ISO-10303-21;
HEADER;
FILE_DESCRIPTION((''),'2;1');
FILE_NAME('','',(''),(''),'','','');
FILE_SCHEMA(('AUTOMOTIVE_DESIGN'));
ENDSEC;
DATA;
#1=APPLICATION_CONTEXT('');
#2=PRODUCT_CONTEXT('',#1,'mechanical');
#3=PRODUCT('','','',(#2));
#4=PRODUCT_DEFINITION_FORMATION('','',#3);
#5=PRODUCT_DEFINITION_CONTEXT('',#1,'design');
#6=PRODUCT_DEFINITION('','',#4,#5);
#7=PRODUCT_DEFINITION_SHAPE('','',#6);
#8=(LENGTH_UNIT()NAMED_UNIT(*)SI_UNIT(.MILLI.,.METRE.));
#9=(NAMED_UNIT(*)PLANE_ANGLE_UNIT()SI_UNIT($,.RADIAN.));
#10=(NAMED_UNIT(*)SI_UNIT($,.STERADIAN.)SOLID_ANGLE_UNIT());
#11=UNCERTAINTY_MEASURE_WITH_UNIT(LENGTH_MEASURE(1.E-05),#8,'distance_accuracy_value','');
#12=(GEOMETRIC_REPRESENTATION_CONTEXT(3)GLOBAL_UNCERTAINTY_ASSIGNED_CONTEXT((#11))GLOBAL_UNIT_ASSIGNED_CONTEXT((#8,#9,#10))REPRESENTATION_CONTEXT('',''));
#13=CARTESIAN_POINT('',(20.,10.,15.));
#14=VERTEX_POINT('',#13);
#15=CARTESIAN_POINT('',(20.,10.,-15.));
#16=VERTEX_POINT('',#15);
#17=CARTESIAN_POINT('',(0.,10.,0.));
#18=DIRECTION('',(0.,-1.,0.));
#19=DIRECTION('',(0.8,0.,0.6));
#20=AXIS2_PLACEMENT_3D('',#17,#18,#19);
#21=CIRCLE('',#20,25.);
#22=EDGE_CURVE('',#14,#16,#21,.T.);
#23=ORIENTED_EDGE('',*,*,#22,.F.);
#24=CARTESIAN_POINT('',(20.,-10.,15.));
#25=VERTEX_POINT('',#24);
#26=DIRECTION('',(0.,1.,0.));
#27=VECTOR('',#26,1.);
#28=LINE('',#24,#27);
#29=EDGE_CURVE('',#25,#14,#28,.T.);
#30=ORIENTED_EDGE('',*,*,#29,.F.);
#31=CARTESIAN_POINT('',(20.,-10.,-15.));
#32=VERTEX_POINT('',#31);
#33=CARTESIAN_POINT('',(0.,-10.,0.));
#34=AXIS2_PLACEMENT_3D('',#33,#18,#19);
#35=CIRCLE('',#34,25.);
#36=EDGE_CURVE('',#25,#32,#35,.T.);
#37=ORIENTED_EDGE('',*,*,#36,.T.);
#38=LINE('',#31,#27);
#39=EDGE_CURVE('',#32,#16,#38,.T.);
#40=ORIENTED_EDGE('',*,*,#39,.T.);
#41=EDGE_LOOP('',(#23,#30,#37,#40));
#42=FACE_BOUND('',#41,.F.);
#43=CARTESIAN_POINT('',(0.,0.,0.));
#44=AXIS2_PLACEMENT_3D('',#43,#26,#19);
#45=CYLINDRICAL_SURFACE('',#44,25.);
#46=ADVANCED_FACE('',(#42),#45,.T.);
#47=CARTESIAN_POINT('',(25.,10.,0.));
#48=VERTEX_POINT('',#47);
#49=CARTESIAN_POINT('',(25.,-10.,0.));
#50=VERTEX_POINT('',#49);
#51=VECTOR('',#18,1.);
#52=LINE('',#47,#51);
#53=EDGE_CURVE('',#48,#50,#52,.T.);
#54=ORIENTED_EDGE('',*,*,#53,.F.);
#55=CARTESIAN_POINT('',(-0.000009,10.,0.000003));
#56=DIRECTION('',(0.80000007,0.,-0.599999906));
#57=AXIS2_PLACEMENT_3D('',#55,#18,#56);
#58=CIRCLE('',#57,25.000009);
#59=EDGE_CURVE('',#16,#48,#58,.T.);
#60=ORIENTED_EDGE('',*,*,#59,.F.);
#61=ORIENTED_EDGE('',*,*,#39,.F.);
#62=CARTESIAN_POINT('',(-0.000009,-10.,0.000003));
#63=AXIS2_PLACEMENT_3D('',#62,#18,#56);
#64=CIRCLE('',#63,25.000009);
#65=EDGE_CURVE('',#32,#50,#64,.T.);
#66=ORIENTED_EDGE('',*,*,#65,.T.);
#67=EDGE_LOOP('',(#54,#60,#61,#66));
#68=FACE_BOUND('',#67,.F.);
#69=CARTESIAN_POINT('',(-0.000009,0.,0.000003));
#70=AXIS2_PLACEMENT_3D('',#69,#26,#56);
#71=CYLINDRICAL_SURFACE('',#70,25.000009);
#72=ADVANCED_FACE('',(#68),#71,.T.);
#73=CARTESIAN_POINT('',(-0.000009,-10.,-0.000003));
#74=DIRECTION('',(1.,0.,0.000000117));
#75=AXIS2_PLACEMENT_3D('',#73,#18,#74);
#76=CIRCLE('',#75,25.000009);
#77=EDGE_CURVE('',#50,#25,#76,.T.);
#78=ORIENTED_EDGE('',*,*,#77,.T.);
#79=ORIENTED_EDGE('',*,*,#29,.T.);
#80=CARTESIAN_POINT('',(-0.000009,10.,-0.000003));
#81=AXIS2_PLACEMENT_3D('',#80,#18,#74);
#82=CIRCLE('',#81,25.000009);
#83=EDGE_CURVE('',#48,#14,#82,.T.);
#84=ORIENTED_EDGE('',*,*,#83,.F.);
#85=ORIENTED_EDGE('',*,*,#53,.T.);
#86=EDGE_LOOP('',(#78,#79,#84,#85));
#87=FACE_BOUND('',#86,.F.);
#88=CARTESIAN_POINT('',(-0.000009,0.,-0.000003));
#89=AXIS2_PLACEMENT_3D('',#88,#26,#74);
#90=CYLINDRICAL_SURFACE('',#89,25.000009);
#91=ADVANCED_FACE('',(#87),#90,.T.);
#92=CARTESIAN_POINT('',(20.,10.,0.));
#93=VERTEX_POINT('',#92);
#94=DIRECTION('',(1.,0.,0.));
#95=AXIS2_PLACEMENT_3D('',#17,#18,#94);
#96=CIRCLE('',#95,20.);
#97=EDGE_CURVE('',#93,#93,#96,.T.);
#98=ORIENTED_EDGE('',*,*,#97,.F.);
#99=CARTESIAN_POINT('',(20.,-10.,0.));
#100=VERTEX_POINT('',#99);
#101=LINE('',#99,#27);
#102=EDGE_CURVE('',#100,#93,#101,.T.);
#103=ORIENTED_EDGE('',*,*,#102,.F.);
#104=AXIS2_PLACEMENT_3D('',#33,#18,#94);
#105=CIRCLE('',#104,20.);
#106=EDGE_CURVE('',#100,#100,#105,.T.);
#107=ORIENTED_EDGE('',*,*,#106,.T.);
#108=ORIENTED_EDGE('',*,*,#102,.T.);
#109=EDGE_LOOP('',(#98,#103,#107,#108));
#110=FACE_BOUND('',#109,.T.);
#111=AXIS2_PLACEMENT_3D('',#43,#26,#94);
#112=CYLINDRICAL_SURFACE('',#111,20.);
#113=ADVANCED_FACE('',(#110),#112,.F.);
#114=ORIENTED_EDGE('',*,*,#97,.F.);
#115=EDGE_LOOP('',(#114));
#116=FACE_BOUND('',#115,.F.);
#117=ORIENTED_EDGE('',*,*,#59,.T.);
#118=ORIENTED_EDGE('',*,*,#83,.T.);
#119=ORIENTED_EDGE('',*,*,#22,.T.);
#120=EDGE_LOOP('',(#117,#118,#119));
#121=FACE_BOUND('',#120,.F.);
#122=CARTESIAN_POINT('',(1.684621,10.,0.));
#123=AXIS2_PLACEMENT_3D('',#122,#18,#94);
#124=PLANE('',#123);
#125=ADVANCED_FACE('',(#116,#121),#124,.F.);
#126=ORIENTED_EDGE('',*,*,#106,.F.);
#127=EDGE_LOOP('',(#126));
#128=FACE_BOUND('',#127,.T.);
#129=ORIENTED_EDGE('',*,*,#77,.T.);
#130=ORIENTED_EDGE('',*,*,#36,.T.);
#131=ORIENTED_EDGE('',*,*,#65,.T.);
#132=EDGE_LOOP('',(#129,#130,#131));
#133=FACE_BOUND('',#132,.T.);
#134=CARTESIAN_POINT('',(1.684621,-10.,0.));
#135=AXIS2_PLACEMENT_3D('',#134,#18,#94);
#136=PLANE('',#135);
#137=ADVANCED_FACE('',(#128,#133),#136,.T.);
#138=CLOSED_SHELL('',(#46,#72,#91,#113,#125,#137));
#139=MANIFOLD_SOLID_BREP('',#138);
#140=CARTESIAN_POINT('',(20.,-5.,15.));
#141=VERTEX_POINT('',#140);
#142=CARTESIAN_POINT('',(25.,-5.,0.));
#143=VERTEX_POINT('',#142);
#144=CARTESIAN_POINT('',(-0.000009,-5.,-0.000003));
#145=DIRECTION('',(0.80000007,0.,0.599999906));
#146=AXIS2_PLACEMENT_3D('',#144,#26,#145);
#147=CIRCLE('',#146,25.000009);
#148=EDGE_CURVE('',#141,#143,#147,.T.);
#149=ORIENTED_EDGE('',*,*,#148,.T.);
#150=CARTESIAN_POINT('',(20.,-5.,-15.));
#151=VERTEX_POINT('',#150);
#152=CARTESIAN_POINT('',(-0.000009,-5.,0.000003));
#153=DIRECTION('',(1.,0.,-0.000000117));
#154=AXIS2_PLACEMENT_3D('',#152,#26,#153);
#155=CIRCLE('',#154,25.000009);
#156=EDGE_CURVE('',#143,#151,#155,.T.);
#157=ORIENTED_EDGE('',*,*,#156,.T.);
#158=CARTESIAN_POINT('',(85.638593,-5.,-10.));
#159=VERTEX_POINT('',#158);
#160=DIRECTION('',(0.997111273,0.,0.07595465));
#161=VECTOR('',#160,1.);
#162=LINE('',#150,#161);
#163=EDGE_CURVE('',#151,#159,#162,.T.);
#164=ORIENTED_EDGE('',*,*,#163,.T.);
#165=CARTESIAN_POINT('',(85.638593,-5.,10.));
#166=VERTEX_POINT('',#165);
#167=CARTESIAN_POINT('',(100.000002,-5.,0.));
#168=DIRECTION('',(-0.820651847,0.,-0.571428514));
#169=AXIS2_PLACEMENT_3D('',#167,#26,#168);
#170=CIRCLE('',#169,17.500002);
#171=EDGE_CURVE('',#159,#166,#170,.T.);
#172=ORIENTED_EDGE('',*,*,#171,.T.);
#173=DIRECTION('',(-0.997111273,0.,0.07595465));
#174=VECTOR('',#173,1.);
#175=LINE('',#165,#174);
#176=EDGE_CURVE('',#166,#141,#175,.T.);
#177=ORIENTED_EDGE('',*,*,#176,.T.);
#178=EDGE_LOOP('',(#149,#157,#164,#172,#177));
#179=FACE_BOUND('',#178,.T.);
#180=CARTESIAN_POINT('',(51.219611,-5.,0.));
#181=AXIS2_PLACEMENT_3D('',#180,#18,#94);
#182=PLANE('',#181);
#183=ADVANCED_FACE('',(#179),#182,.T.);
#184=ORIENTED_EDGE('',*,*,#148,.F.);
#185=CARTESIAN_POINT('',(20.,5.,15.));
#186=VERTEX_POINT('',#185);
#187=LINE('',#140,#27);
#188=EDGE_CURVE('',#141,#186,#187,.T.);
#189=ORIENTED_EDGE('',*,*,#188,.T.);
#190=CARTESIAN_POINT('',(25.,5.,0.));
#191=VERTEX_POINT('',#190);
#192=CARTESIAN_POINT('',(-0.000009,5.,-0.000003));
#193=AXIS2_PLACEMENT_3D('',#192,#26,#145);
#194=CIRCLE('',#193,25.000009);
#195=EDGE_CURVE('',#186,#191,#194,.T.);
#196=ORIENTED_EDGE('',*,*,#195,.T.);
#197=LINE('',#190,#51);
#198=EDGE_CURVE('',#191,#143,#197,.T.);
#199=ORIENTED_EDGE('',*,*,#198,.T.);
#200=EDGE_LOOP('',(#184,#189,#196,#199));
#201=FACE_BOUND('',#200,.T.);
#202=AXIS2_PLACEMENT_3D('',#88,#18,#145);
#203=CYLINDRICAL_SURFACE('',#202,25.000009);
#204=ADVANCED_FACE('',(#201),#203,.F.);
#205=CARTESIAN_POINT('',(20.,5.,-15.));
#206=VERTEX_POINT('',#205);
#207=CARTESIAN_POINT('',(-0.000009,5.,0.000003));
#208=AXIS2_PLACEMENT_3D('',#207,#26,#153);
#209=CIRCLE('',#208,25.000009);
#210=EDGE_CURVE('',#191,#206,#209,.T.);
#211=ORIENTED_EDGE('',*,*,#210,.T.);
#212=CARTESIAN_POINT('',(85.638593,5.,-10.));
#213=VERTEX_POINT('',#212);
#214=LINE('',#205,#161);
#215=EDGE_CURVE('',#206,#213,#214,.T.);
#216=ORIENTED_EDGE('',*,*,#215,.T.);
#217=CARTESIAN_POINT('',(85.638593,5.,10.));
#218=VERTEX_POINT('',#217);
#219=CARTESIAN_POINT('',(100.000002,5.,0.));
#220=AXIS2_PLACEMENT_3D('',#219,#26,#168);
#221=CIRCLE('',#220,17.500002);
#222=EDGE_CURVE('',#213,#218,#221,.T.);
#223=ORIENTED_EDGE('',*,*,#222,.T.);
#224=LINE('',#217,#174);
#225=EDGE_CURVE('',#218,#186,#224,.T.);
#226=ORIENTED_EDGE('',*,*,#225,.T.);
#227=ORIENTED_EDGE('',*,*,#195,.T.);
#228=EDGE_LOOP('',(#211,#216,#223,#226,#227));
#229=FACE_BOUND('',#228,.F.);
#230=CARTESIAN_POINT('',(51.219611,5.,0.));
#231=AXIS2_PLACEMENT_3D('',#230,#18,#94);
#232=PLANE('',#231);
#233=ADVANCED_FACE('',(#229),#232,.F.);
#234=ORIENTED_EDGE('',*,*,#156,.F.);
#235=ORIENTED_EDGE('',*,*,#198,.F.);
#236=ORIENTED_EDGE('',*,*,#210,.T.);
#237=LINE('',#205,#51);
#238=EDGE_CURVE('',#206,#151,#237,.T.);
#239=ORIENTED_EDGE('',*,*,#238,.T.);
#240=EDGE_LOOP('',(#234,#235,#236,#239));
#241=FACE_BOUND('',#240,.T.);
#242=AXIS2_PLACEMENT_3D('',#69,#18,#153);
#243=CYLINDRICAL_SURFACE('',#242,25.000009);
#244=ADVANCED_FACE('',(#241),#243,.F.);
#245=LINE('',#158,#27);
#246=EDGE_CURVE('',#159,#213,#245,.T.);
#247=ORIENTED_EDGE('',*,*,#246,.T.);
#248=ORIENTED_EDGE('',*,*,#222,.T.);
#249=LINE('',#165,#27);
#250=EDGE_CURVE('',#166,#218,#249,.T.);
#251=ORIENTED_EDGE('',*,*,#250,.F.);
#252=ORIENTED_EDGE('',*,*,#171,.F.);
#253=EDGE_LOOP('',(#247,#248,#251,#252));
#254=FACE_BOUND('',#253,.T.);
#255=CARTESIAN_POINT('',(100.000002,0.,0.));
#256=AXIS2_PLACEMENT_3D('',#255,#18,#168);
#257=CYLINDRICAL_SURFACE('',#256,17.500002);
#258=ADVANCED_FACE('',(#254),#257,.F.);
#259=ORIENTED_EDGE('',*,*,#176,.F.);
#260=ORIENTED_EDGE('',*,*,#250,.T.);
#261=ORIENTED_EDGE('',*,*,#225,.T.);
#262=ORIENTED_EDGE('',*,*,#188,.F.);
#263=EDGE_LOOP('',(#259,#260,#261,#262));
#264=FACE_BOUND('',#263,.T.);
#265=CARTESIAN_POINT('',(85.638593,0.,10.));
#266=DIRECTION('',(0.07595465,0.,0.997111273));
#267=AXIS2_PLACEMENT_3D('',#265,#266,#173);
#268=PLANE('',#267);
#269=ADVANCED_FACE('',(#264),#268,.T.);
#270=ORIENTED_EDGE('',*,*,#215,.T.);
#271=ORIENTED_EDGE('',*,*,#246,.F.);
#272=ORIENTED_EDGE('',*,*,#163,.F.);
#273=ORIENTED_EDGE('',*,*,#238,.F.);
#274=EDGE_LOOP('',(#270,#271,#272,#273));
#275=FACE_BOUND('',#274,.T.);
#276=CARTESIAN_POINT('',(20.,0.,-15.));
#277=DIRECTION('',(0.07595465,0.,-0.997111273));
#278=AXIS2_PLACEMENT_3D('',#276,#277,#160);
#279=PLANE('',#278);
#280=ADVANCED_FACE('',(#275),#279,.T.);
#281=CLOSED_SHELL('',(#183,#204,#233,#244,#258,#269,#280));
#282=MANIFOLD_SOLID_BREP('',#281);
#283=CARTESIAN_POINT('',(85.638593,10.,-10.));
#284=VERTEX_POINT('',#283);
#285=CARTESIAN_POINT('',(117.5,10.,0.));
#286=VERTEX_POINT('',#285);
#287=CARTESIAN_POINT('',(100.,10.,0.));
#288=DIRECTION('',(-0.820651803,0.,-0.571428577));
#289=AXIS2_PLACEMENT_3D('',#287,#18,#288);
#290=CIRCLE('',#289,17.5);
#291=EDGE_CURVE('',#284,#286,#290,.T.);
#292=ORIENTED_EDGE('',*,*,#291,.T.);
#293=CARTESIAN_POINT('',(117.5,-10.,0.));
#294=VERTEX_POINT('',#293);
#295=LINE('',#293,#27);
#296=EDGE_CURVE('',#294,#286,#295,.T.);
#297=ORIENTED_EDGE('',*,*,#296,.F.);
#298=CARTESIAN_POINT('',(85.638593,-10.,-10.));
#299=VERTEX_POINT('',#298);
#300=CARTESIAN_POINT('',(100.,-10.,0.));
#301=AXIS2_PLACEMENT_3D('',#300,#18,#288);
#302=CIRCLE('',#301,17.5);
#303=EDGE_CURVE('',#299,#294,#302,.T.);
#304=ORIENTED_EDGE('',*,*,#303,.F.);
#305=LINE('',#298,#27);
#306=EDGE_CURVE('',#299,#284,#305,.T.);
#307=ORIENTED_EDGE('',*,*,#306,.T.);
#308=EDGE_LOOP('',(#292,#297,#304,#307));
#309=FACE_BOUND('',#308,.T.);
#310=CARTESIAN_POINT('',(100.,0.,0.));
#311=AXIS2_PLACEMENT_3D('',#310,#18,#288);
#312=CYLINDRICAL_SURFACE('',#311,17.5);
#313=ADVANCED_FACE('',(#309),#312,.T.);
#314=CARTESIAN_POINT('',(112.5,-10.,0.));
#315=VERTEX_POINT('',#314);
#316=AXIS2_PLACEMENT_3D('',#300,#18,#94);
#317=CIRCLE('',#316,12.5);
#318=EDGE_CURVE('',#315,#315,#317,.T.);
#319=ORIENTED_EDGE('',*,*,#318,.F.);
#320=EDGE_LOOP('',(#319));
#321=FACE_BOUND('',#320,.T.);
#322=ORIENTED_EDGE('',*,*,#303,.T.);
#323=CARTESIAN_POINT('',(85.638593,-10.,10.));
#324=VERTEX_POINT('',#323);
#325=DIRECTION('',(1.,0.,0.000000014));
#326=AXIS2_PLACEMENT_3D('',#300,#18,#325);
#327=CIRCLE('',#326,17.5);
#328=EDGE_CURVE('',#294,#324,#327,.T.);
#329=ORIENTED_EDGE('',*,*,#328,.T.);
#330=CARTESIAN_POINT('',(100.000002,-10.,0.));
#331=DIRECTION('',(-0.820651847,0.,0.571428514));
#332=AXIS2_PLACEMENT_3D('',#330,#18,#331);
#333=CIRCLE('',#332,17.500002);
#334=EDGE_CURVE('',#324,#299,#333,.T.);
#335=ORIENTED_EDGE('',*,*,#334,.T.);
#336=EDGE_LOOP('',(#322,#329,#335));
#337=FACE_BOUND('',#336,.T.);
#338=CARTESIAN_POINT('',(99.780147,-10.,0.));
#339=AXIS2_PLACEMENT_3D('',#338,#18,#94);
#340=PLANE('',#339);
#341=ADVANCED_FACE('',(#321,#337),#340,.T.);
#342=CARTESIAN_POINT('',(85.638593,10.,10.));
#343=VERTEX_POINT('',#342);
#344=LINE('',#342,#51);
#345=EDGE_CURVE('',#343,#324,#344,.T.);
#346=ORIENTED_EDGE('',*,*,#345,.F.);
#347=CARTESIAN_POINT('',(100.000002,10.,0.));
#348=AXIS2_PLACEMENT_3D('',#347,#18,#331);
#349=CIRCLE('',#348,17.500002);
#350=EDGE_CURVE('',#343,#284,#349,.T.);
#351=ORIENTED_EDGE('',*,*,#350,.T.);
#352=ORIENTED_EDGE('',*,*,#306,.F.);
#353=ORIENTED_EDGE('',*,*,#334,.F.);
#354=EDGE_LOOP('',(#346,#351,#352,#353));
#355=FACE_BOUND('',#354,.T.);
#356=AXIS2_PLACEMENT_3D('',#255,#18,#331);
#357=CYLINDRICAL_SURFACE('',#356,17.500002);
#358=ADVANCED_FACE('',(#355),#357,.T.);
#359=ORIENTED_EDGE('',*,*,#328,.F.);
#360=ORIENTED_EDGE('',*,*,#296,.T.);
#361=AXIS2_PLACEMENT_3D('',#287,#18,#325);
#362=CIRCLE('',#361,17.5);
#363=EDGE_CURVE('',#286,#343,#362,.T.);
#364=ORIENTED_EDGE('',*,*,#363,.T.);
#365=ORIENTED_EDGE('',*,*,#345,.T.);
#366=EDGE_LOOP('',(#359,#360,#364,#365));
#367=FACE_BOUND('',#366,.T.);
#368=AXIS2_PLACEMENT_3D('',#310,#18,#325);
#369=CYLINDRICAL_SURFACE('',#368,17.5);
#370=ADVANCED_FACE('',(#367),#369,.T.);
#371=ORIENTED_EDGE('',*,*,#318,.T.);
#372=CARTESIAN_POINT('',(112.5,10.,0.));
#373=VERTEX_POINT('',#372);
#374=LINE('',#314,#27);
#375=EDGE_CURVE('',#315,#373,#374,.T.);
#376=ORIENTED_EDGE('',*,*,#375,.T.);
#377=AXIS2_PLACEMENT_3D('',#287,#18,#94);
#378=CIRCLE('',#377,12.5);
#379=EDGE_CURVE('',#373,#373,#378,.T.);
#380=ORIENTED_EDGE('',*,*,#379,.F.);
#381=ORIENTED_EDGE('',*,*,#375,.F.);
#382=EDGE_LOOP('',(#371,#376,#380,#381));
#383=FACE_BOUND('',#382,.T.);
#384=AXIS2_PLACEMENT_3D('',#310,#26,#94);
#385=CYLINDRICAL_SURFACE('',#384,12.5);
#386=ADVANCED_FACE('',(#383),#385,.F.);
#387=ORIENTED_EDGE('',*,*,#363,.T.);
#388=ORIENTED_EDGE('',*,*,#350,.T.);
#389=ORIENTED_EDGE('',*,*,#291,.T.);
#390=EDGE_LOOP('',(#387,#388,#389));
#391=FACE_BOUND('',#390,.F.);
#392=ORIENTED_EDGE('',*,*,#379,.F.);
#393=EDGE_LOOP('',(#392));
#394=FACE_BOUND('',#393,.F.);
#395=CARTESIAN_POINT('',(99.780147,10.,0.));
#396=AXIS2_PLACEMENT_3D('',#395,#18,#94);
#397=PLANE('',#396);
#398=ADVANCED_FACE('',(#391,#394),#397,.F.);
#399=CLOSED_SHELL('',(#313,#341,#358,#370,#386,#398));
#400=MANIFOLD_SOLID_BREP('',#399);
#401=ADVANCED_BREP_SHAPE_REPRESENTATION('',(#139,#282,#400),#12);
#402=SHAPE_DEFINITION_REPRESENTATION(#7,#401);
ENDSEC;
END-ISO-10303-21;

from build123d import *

# Parameters (mm, degrees)
F0_R     = 20
F0_R_2   = 12.5
F1_DEPTH = 10
F2_DEPTH = 5


with BuildPart() as f1:
    # F0 (on Front) → F1 (new body, symmetric)
    with BuildSketch(Plane.XZ):
        with BuildLine():
            ThreePointArc((20, -15), (23.717082, -7.905694), (25, 0))
            ThreePointArc((25, 0), (23.717082, 7.905694), (20, 15))
            ThreePointArc((20, 15), (-25, 0), (20, -15))
        make_face()
        Circle(F0_R, mode=Mode.SUBTRACT)
        with BuildLine():
            ThreePointArc((117.5, 0), (105.240486, 16.696925), (85.638593, 10))
            ThreePointArc((85.638593, 10), (82.5, 0), (85.638593, -10))
            ThreePointArc((85.638593, -10), (105.240486, -16.696925), (117.5, 0))
        make_face()
        with Locations((100, 0)):
            Circle(F0_R_2, mode=Mode.SUBTRACT)
    extrude(amount=F1_DEPTH, both=True)


with BuildPart() as f2:
    # F0 (on Front) → F2 (new body, symmetric)
    with BuildSketch(Plane.XZ):
        with BuildLine():
            ThreePointArc((20, 15), (23.717082, 7.905694), (25, 0))
            ThreePointArc((25, 0), (23.717082, -7.905694), (20, -15))
            Line((20, -15), (85.638593, -10))
            ThreePointArc((85.638593, -10), (82.5, 0), (85.638593, 10))
            Line((85.638593, 10), (20, 15))
        make_face()
    extrude(amount=F2_DEPTH, both=True)


solid = Compound([f1.part, f2.part])
